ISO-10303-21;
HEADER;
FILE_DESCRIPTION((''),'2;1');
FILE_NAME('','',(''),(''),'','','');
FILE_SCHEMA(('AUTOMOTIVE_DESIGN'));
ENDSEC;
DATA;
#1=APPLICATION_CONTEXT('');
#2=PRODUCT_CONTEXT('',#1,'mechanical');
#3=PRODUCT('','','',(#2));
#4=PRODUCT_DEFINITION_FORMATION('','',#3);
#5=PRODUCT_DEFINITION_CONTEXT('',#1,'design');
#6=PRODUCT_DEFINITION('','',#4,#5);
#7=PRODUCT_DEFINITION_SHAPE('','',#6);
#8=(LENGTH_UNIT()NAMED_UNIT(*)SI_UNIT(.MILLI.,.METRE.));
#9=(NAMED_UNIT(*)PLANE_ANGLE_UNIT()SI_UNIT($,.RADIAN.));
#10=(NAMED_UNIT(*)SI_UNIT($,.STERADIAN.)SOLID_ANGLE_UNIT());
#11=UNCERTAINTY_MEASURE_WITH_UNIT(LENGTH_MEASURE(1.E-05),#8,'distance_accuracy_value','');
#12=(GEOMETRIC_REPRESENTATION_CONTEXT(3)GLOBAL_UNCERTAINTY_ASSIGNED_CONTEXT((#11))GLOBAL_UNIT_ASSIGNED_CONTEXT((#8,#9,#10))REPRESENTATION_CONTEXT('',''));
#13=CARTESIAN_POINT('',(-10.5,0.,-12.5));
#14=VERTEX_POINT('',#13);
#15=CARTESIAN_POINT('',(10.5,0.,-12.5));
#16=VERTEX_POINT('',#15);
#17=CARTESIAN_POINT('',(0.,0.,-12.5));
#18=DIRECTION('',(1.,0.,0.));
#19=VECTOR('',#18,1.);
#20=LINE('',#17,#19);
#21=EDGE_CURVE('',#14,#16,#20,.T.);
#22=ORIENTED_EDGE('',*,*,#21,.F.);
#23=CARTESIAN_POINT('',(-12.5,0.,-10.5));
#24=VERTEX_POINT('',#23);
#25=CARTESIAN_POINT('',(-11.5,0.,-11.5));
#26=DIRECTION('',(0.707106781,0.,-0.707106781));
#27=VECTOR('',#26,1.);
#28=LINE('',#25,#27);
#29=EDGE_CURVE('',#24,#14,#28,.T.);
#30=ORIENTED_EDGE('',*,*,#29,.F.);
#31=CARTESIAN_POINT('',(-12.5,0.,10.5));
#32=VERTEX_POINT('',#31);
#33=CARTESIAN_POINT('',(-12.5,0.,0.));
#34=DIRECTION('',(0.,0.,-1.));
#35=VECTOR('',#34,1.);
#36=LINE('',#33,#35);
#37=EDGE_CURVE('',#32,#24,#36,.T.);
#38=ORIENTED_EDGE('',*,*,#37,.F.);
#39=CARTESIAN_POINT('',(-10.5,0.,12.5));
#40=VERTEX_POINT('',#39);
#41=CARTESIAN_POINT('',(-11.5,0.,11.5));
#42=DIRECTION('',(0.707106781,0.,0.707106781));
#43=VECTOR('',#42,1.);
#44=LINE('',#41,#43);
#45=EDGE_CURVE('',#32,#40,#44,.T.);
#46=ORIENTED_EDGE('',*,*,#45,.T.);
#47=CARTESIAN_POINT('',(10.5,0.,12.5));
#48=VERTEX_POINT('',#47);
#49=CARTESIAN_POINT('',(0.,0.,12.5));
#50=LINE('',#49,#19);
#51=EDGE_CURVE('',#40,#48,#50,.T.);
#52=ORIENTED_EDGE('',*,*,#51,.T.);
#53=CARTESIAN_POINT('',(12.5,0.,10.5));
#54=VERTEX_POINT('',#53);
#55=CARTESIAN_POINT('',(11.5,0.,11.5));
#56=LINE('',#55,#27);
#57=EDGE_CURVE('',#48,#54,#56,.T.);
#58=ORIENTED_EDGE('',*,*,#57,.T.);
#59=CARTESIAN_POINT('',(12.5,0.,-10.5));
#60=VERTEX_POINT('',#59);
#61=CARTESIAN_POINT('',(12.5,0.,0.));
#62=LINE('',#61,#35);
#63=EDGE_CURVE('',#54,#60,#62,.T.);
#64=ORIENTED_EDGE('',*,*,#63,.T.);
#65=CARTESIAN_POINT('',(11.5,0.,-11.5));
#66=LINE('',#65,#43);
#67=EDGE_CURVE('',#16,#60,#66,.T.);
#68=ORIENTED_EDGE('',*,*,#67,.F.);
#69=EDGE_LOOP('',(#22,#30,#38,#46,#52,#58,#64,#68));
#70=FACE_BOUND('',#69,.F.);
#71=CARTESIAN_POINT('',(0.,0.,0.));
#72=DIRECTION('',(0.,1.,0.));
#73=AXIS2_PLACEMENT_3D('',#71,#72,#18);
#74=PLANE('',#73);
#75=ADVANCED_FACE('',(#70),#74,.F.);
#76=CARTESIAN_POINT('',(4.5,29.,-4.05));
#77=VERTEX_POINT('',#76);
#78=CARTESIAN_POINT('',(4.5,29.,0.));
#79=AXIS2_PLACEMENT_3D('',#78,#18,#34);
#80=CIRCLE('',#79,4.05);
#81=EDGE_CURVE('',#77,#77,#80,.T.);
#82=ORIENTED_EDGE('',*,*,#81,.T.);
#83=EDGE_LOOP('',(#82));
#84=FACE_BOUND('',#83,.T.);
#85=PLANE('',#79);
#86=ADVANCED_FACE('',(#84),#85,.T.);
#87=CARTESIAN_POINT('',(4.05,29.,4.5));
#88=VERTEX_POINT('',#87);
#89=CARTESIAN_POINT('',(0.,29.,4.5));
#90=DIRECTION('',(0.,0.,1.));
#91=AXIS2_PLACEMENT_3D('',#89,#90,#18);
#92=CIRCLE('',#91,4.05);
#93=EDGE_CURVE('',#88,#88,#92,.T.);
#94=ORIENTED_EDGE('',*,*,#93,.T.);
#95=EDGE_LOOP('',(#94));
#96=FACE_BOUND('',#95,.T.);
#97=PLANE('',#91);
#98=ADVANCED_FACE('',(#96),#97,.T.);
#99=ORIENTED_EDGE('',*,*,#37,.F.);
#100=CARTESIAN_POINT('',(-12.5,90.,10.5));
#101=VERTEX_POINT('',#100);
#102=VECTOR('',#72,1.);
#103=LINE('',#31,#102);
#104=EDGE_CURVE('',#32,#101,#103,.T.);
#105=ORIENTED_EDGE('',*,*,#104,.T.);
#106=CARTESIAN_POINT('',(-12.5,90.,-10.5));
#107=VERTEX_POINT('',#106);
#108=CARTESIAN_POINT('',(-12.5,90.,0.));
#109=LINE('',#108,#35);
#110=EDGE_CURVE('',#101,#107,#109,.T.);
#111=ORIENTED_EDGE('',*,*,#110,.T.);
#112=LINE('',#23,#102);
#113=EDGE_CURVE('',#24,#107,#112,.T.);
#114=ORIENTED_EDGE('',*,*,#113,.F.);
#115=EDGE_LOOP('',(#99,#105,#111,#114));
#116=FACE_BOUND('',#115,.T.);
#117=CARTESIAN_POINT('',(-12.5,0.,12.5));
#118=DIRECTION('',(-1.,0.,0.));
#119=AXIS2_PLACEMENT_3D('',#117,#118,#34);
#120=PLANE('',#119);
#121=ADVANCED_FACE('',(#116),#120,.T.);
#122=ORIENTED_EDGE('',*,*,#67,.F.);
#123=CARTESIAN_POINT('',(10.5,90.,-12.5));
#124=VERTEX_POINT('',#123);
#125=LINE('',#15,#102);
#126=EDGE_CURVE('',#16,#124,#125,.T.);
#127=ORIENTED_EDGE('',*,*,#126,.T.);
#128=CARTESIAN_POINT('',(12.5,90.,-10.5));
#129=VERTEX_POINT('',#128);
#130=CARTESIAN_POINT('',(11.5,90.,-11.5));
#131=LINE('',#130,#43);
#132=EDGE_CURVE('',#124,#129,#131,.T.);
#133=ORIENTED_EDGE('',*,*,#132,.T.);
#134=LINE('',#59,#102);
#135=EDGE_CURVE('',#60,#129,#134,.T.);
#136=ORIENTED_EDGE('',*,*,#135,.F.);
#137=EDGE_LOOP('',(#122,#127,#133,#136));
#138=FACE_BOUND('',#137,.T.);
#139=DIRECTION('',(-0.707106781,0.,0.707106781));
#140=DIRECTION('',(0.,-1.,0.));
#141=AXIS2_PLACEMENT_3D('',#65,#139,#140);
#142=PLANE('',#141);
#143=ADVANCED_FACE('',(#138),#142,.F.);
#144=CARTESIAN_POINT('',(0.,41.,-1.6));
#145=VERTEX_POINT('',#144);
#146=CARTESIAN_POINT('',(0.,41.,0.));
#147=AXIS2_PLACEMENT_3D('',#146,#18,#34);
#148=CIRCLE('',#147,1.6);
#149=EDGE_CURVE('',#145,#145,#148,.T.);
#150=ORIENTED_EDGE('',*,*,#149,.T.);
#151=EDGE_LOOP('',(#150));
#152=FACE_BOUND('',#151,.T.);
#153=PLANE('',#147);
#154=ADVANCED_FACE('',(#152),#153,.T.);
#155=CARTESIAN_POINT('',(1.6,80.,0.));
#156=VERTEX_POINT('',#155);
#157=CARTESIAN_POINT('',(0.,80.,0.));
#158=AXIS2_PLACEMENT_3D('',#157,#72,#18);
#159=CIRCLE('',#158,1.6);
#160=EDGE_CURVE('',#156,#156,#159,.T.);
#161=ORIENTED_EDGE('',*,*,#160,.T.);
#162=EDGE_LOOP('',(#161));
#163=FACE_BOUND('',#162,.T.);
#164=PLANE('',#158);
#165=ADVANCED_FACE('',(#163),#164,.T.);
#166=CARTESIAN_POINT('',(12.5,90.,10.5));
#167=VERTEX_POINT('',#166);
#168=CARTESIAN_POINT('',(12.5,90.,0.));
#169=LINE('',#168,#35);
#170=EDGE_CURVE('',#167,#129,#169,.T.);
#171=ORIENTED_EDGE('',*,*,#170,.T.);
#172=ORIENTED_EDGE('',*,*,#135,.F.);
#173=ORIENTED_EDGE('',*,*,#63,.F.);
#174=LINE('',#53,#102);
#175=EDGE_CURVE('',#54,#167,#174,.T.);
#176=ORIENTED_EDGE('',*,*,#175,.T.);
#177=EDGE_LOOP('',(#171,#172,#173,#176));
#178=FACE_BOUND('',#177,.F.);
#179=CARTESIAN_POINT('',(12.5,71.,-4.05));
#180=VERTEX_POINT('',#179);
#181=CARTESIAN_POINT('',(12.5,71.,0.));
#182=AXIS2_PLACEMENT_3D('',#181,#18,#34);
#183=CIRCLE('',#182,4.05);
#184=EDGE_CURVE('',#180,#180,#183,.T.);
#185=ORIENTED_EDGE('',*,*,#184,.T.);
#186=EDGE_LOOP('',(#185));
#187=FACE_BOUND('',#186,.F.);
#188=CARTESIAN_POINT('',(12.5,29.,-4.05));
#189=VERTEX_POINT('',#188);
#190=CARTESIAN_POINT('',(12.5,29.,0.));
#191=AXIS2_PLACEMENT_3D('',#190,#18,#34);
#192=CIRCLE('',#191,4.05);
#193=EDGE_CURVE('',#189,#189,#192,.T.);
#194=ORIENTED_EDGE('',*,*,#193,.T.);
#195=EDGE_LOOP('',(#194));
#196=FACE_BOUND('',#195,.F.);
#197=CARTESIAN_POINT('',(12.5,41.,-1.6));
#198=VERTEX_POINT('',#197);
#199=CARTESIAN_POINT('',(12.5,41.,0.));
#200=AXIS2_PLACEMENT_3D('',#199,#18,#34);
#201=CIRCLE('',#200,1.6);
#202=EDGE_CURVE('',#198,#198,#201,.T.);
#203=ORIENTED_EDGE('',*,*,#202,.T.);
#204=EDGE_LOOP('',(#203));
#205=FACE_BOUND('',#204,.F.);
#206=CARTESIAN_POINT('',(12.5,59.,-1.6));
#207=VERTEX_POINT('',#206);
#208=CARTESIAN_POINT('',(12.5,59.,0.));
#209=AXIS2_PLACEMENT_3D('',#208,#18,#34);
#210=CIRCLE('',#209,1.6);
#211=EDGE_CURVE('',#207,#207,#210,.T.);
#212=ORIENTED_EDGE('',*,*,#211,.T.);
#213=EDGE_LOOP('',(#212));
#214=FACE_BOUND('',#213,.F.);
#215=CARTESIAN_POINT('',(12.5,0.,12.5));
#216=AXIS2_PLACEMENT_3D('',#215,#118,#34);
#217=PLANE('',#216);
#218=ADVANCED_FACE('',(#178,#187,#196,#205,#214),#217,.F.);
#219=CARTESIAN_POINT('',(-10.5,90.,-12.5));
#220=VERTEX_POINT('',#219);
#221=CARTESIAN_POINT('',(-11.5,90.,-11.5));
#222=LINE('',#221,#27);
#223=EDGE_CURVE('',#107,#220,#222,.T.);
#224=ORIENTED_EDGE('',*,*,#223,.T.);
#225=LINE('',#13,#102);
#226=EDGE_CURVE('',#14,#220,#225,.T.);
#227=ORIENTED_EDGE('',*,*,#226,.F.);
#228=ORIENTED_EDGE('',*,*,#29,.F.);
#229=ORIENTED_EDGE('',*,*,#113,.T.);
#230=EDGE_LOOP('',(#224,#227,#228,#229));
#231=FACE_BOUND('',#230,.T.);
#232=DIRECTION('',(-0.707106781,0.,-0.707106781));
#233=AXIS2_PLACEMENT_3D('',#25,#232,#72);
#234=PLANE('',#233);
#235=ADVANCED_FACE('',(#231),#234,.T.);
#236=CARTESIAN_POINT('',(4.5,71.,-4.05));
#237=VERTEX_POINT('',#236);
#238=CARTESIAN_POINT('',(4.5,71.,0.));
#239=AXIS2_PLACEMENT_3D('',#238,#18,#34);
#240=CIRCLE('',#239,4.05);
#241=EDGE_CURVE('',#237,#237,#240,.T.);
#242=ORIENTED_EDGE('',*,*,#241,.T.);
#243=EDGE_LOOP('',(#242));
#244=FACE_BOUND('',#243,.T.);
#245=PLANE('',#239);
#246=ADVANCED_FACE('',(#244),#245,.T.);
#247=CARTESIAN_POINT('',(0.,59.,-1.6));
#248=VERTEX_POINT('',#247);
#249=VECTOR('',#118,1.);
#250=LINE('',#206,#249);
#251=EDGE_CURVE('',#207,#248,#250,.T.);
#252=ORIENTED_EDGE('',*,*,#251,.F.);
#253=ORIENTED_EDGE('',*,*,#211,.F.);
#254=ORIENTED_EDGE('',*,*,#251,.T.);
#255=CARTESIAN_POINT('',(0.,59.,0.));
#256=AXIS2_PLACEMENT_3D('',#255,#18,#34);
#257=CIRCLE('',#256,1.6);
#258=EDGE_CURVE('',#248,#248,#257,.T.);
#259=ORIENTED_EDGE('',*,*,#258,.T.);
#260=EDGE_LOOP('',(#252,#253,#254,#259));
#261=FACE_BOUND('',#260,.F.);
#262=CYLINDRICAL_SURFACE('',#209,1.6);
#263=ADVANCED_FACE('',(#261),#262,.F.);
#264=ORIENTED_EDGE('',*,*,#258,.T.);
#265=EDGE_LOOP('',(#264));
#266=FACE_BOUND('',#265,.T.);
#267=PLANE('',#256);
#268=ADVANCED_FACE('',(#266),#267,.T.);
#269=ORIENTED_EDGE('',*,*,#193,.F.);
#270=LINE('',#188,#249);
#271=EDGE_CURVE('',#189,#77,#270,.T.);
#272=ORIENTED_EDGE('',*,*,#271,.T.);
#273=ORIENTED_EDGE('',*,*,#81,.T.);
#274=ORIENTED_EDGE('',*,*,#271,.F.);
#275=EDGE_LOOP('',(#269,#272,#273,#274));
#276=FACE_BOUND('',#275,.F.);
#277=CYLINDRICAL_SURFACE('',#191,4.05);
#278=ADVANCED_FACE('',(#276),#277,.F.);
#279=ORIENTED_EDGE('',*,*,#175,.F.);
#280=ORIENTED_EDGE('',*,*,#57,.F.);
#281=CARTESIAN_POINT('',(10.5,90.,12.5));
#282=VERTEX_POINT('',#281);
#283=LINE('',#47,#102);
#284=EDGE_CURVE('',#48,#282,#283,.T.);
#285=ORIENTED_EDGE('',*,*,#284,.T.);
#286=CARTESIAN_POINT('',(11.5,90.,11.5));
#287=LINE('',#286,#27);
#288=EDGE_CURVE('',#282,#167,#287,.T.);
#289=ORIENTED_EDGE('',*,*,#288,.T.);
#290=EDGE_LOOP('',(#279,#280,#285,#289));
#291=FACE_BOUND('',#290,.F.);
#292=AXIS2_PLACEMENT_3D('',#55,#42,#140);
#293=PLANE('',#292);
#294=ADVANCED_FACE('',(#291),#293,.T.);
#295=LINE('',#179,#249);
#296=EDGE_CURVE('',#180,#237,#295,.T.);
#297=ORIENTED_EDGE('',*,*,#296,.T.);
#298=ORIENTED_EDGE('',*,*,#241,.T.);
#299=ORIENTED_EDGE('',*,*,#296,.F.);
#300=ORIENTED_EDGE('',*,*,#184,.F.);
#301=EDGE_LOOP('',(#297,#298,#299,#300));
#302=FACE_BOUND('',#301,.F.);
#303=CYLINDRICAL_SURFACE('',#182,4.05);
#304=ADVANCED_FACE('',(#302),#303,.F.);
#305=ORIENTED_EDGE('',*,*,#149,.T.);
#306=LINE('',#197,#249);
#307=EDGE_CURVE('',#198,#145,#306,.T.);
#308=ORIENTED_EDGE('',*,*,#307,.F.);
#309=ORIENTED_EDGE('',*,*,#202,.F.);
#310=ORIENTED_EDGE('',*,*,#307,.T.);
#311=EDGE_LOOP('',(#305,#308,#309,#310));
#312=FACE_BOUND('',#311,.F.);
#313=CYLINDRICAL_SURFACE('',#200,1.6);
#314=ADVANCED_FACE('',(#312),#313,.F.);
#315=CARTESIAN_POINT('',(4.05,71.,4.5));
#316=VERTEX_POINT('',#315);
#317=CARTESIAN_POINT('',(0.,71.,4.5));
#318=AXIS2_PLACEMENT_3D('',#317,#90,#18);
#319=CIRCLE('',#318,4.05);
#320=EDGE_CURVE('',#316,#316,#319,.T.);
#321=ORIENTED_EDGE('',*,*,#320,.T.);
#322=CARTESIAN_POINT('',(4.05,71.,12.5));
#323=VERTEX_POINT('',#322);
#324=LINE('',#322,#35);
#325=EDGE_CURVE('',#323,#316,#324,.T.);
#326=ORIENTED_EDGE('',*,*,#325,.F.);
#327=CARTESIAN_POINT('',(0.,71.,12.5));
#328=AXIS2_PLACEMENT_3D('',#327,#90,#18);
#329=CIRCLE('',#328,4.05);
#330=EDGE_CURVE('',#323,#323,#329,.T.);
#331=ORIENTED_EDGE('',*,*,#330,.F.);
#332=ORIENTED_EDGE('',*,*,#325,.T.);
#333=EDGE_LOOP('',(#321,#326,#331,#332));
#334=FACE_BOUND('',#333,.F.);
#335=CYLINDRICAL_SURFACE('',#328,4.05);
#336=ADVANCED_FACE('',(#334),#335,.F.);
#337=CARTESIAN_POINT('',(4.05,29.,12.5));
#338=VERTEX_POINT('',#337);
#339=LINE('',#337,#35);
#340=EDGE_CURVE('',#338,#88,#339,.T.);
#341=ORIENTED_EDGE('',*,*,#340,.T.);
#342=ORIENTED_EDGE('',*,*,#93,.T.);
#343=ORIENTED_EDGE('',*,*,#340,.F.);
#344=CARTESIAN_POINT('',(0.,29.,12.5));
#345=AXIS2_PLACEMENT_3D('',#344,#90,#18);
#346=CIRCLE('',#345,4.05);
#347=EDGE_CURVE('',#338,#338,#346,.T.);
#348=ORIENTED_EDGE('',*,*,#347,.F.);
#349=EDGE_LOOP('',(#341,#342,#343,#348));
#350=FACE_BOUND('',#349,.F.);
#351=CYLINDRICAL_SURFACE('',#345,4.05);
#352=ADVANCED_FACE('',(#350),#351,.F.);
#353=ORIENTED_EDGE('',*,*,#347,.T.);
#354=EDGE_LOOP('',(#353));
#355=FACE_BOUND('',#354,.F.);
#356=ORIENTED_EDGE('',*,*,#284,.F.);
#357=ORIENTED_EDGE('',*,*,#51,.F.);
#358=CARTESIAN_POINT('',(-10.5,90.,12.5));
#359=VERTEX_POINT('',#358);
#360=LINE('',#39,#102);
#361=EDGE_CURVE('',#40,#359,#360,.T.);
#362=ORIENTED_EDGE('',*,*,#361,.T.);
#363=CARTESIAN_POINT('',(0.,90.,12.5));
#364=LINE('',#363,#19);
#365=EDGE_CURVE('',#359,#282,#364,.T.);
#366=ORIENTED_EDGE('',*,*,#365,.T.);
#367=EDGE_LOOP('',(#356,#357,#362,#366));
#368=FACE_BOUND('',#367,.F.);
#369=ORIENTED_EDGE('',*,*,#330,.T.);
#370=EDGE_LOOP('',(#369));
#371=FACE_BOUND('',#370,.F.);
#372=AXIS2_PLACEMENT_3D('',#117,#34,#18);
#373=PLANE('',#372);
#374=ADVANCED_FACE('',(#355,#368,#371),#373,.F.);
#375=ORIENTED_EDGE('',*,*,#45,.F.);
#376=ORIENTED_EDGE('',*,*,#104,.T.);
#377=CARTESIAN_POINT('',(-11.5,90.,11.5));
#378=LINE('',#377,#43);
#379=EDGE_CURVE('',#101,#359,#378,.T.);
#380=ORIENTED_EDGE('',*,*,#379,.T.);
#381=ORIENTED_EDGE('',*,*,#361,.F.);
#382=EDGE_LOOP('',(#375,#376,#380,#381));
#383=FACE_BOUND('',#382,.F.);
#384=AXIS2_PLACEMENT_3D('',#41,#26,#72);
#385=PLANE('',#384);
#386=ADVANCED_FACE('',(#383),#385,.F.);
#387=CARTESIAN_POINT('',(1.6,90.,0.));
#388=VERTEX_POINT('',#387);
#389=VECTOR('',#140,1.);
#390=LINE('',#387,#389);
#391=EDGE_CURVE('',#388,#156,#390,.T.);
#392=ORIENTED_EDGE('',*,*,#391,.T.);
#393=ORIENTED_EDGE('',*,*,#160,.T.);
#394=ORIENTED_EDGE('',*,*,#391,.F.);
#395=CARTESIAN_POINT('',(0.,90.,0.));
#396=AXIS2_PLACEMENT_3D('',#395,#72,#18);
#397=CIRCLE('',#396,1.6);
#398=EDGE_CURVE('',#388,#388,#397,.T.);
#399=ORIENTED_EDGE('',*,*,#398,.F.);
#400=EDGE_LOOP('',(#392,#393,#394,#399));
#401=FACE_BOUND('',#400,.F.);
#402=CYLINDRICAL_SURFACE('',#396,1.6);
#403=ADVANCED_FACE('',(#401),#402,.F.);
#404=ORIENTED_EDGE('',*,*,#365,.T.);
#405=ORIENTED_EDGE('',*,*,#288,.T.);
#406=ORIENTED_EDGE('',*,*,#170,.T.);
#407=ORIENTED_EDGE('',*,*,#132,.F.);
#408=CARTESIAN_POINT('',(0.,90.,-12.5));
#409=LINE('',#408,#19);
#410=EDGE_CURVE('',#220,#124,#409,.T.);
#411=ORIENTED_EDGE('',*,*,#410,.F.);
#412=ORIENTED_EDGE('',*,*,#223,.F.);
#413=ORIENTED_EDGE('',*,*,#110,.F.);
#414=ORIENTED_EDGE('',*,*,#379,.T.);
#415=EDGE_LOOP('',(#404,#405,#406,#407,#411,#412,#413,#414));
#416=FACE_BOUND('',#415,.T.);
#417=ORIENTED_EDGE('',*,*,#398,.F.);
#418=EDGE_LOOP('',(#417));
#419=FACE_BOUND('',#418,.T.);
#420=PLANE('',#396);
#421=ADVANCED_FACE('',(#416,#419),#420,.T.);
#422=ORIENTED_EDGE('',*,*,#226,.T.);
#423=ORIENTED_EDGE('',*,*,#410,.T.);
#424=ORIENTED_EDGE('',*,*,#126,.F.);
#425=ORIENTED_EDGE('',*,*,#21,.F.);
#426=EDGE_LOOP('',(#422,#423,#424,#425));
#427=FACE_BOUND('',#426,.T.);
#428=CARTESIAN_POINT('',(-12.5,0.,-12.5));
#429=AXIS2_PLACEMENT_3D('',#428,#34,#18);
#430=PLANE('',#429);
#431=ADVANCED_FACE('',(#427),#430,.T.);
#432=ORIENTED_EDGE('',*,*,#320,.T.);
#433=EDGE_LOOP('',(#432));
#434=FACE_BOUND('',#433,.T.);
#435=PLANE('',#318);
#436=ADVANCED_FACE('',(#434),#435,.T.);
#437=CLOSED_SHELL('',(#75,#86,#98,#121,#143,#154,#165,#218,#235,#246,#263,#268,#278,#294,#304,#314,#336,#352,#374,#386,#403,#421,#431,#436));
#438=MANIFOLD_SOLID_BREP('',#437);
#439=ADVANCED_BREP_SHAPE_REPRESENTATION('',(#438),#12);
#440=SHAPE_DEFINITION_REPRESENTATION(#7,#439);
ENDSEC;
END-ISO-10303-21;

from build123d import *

# Parameters (mm, degrees)
SKETCH1_W           = 25
SKETCH1_H           = 25
BOSS_EXTRUDE1_DEPTH = 90
SKETCH2_R           = 4.05
CUT_EXTRUDE1_DEPTH  = 8
SKETCH3_R           = 4.05
CUT_EXTRUDE7_DEPTH  = 8
CHAMFER1_SIZE       = 2
SKETCH5_R           = 1.6
CUT_EXTRUDE8_DEPTH  = 12.5
SKETCH7_R           = 1.6
CUT_EXTRUDE9_DEPTH  = 10


with BuildPart() as part:
    # Sketch1 → Boss-Extrude1 (new body)
    with BuildSketch(Plane(origin=(0, 0, 0), x_dir=(1, 0, 0), z_dir=(0, 1, 0))):
        Rectangle(SKETCH1_W, SKETCH1_H)
    extrude(amount=BOSS_EXTRUDE1_DEPTH)

    # Sketch2 → Cut-Extrude1 (cut)
    with BuildSketch(Plane(origin=(12.5, 0, 0), x_dir=(0, 0, -1), z_dir=(1, 0, 0))):
        with Locations((0, 71)):
            Circle(SKETCH2_R)
        with Locations((0, 29)):
            Circle(SKETCH2_R)
    extrude(amount=-CUT_EXTRUDE1_DEPTH, mode=Mode.SUBTRACT)

    # Sketch3 → Cut-Extrude7 (cut)
    with BuildSketch(Plane.XY.offset(12.5)):
        with Locations((0, 29)):
            Circle(SKETCH3_R)
        with Locations((0, 71)):
            Circle(SKETCH3_R)
    extrude(amount=-CUT_EXTRUDE7_DEPTH, mode=Mode.SUBTRACT)

    # Chamfer1
    chamfer1_edges = [part.edges().sort_by_distance(p)[0] for p in [
        (12.5, 45, 12.5),
        (-12.5, 45, 12.5),
        (-12.5, 45, -12.5),
        (12.5, 45, -12.5),
    ]]
    chamfer(chamfer1_edges, length=CHAMFER1_SIZE)

    # Sketch5 → Cut-Extrude8 (cut)
    with BuildSketch(Plane(origin=(12.5, 0, 0), x_dir=(0, 0, -1), z_dir=(1, 0, 0))):
        with Locations((0, 59)):
            Circle(SKETCH5_R)
        with Locations((0, 41)):
            Circle(SKETCH5_R)
    extrude(amount=-CUT_EXTRUDE8_DEPTH, mode=Mode.SUBTRACT)

    # Sketch7 → Cut-Extrude9 (cut)
    with BuildSketch(Plane(origin=(0, 90, 0), x_dir=(1, 0, 0), z_dir=(0, 1, 0))):
        Circle(SKETCH7_R)
    extrude(amount=-CUT_EXTRUDE9_DEPTH, mode=Mode.SUBTRACT)


solid = part.part
